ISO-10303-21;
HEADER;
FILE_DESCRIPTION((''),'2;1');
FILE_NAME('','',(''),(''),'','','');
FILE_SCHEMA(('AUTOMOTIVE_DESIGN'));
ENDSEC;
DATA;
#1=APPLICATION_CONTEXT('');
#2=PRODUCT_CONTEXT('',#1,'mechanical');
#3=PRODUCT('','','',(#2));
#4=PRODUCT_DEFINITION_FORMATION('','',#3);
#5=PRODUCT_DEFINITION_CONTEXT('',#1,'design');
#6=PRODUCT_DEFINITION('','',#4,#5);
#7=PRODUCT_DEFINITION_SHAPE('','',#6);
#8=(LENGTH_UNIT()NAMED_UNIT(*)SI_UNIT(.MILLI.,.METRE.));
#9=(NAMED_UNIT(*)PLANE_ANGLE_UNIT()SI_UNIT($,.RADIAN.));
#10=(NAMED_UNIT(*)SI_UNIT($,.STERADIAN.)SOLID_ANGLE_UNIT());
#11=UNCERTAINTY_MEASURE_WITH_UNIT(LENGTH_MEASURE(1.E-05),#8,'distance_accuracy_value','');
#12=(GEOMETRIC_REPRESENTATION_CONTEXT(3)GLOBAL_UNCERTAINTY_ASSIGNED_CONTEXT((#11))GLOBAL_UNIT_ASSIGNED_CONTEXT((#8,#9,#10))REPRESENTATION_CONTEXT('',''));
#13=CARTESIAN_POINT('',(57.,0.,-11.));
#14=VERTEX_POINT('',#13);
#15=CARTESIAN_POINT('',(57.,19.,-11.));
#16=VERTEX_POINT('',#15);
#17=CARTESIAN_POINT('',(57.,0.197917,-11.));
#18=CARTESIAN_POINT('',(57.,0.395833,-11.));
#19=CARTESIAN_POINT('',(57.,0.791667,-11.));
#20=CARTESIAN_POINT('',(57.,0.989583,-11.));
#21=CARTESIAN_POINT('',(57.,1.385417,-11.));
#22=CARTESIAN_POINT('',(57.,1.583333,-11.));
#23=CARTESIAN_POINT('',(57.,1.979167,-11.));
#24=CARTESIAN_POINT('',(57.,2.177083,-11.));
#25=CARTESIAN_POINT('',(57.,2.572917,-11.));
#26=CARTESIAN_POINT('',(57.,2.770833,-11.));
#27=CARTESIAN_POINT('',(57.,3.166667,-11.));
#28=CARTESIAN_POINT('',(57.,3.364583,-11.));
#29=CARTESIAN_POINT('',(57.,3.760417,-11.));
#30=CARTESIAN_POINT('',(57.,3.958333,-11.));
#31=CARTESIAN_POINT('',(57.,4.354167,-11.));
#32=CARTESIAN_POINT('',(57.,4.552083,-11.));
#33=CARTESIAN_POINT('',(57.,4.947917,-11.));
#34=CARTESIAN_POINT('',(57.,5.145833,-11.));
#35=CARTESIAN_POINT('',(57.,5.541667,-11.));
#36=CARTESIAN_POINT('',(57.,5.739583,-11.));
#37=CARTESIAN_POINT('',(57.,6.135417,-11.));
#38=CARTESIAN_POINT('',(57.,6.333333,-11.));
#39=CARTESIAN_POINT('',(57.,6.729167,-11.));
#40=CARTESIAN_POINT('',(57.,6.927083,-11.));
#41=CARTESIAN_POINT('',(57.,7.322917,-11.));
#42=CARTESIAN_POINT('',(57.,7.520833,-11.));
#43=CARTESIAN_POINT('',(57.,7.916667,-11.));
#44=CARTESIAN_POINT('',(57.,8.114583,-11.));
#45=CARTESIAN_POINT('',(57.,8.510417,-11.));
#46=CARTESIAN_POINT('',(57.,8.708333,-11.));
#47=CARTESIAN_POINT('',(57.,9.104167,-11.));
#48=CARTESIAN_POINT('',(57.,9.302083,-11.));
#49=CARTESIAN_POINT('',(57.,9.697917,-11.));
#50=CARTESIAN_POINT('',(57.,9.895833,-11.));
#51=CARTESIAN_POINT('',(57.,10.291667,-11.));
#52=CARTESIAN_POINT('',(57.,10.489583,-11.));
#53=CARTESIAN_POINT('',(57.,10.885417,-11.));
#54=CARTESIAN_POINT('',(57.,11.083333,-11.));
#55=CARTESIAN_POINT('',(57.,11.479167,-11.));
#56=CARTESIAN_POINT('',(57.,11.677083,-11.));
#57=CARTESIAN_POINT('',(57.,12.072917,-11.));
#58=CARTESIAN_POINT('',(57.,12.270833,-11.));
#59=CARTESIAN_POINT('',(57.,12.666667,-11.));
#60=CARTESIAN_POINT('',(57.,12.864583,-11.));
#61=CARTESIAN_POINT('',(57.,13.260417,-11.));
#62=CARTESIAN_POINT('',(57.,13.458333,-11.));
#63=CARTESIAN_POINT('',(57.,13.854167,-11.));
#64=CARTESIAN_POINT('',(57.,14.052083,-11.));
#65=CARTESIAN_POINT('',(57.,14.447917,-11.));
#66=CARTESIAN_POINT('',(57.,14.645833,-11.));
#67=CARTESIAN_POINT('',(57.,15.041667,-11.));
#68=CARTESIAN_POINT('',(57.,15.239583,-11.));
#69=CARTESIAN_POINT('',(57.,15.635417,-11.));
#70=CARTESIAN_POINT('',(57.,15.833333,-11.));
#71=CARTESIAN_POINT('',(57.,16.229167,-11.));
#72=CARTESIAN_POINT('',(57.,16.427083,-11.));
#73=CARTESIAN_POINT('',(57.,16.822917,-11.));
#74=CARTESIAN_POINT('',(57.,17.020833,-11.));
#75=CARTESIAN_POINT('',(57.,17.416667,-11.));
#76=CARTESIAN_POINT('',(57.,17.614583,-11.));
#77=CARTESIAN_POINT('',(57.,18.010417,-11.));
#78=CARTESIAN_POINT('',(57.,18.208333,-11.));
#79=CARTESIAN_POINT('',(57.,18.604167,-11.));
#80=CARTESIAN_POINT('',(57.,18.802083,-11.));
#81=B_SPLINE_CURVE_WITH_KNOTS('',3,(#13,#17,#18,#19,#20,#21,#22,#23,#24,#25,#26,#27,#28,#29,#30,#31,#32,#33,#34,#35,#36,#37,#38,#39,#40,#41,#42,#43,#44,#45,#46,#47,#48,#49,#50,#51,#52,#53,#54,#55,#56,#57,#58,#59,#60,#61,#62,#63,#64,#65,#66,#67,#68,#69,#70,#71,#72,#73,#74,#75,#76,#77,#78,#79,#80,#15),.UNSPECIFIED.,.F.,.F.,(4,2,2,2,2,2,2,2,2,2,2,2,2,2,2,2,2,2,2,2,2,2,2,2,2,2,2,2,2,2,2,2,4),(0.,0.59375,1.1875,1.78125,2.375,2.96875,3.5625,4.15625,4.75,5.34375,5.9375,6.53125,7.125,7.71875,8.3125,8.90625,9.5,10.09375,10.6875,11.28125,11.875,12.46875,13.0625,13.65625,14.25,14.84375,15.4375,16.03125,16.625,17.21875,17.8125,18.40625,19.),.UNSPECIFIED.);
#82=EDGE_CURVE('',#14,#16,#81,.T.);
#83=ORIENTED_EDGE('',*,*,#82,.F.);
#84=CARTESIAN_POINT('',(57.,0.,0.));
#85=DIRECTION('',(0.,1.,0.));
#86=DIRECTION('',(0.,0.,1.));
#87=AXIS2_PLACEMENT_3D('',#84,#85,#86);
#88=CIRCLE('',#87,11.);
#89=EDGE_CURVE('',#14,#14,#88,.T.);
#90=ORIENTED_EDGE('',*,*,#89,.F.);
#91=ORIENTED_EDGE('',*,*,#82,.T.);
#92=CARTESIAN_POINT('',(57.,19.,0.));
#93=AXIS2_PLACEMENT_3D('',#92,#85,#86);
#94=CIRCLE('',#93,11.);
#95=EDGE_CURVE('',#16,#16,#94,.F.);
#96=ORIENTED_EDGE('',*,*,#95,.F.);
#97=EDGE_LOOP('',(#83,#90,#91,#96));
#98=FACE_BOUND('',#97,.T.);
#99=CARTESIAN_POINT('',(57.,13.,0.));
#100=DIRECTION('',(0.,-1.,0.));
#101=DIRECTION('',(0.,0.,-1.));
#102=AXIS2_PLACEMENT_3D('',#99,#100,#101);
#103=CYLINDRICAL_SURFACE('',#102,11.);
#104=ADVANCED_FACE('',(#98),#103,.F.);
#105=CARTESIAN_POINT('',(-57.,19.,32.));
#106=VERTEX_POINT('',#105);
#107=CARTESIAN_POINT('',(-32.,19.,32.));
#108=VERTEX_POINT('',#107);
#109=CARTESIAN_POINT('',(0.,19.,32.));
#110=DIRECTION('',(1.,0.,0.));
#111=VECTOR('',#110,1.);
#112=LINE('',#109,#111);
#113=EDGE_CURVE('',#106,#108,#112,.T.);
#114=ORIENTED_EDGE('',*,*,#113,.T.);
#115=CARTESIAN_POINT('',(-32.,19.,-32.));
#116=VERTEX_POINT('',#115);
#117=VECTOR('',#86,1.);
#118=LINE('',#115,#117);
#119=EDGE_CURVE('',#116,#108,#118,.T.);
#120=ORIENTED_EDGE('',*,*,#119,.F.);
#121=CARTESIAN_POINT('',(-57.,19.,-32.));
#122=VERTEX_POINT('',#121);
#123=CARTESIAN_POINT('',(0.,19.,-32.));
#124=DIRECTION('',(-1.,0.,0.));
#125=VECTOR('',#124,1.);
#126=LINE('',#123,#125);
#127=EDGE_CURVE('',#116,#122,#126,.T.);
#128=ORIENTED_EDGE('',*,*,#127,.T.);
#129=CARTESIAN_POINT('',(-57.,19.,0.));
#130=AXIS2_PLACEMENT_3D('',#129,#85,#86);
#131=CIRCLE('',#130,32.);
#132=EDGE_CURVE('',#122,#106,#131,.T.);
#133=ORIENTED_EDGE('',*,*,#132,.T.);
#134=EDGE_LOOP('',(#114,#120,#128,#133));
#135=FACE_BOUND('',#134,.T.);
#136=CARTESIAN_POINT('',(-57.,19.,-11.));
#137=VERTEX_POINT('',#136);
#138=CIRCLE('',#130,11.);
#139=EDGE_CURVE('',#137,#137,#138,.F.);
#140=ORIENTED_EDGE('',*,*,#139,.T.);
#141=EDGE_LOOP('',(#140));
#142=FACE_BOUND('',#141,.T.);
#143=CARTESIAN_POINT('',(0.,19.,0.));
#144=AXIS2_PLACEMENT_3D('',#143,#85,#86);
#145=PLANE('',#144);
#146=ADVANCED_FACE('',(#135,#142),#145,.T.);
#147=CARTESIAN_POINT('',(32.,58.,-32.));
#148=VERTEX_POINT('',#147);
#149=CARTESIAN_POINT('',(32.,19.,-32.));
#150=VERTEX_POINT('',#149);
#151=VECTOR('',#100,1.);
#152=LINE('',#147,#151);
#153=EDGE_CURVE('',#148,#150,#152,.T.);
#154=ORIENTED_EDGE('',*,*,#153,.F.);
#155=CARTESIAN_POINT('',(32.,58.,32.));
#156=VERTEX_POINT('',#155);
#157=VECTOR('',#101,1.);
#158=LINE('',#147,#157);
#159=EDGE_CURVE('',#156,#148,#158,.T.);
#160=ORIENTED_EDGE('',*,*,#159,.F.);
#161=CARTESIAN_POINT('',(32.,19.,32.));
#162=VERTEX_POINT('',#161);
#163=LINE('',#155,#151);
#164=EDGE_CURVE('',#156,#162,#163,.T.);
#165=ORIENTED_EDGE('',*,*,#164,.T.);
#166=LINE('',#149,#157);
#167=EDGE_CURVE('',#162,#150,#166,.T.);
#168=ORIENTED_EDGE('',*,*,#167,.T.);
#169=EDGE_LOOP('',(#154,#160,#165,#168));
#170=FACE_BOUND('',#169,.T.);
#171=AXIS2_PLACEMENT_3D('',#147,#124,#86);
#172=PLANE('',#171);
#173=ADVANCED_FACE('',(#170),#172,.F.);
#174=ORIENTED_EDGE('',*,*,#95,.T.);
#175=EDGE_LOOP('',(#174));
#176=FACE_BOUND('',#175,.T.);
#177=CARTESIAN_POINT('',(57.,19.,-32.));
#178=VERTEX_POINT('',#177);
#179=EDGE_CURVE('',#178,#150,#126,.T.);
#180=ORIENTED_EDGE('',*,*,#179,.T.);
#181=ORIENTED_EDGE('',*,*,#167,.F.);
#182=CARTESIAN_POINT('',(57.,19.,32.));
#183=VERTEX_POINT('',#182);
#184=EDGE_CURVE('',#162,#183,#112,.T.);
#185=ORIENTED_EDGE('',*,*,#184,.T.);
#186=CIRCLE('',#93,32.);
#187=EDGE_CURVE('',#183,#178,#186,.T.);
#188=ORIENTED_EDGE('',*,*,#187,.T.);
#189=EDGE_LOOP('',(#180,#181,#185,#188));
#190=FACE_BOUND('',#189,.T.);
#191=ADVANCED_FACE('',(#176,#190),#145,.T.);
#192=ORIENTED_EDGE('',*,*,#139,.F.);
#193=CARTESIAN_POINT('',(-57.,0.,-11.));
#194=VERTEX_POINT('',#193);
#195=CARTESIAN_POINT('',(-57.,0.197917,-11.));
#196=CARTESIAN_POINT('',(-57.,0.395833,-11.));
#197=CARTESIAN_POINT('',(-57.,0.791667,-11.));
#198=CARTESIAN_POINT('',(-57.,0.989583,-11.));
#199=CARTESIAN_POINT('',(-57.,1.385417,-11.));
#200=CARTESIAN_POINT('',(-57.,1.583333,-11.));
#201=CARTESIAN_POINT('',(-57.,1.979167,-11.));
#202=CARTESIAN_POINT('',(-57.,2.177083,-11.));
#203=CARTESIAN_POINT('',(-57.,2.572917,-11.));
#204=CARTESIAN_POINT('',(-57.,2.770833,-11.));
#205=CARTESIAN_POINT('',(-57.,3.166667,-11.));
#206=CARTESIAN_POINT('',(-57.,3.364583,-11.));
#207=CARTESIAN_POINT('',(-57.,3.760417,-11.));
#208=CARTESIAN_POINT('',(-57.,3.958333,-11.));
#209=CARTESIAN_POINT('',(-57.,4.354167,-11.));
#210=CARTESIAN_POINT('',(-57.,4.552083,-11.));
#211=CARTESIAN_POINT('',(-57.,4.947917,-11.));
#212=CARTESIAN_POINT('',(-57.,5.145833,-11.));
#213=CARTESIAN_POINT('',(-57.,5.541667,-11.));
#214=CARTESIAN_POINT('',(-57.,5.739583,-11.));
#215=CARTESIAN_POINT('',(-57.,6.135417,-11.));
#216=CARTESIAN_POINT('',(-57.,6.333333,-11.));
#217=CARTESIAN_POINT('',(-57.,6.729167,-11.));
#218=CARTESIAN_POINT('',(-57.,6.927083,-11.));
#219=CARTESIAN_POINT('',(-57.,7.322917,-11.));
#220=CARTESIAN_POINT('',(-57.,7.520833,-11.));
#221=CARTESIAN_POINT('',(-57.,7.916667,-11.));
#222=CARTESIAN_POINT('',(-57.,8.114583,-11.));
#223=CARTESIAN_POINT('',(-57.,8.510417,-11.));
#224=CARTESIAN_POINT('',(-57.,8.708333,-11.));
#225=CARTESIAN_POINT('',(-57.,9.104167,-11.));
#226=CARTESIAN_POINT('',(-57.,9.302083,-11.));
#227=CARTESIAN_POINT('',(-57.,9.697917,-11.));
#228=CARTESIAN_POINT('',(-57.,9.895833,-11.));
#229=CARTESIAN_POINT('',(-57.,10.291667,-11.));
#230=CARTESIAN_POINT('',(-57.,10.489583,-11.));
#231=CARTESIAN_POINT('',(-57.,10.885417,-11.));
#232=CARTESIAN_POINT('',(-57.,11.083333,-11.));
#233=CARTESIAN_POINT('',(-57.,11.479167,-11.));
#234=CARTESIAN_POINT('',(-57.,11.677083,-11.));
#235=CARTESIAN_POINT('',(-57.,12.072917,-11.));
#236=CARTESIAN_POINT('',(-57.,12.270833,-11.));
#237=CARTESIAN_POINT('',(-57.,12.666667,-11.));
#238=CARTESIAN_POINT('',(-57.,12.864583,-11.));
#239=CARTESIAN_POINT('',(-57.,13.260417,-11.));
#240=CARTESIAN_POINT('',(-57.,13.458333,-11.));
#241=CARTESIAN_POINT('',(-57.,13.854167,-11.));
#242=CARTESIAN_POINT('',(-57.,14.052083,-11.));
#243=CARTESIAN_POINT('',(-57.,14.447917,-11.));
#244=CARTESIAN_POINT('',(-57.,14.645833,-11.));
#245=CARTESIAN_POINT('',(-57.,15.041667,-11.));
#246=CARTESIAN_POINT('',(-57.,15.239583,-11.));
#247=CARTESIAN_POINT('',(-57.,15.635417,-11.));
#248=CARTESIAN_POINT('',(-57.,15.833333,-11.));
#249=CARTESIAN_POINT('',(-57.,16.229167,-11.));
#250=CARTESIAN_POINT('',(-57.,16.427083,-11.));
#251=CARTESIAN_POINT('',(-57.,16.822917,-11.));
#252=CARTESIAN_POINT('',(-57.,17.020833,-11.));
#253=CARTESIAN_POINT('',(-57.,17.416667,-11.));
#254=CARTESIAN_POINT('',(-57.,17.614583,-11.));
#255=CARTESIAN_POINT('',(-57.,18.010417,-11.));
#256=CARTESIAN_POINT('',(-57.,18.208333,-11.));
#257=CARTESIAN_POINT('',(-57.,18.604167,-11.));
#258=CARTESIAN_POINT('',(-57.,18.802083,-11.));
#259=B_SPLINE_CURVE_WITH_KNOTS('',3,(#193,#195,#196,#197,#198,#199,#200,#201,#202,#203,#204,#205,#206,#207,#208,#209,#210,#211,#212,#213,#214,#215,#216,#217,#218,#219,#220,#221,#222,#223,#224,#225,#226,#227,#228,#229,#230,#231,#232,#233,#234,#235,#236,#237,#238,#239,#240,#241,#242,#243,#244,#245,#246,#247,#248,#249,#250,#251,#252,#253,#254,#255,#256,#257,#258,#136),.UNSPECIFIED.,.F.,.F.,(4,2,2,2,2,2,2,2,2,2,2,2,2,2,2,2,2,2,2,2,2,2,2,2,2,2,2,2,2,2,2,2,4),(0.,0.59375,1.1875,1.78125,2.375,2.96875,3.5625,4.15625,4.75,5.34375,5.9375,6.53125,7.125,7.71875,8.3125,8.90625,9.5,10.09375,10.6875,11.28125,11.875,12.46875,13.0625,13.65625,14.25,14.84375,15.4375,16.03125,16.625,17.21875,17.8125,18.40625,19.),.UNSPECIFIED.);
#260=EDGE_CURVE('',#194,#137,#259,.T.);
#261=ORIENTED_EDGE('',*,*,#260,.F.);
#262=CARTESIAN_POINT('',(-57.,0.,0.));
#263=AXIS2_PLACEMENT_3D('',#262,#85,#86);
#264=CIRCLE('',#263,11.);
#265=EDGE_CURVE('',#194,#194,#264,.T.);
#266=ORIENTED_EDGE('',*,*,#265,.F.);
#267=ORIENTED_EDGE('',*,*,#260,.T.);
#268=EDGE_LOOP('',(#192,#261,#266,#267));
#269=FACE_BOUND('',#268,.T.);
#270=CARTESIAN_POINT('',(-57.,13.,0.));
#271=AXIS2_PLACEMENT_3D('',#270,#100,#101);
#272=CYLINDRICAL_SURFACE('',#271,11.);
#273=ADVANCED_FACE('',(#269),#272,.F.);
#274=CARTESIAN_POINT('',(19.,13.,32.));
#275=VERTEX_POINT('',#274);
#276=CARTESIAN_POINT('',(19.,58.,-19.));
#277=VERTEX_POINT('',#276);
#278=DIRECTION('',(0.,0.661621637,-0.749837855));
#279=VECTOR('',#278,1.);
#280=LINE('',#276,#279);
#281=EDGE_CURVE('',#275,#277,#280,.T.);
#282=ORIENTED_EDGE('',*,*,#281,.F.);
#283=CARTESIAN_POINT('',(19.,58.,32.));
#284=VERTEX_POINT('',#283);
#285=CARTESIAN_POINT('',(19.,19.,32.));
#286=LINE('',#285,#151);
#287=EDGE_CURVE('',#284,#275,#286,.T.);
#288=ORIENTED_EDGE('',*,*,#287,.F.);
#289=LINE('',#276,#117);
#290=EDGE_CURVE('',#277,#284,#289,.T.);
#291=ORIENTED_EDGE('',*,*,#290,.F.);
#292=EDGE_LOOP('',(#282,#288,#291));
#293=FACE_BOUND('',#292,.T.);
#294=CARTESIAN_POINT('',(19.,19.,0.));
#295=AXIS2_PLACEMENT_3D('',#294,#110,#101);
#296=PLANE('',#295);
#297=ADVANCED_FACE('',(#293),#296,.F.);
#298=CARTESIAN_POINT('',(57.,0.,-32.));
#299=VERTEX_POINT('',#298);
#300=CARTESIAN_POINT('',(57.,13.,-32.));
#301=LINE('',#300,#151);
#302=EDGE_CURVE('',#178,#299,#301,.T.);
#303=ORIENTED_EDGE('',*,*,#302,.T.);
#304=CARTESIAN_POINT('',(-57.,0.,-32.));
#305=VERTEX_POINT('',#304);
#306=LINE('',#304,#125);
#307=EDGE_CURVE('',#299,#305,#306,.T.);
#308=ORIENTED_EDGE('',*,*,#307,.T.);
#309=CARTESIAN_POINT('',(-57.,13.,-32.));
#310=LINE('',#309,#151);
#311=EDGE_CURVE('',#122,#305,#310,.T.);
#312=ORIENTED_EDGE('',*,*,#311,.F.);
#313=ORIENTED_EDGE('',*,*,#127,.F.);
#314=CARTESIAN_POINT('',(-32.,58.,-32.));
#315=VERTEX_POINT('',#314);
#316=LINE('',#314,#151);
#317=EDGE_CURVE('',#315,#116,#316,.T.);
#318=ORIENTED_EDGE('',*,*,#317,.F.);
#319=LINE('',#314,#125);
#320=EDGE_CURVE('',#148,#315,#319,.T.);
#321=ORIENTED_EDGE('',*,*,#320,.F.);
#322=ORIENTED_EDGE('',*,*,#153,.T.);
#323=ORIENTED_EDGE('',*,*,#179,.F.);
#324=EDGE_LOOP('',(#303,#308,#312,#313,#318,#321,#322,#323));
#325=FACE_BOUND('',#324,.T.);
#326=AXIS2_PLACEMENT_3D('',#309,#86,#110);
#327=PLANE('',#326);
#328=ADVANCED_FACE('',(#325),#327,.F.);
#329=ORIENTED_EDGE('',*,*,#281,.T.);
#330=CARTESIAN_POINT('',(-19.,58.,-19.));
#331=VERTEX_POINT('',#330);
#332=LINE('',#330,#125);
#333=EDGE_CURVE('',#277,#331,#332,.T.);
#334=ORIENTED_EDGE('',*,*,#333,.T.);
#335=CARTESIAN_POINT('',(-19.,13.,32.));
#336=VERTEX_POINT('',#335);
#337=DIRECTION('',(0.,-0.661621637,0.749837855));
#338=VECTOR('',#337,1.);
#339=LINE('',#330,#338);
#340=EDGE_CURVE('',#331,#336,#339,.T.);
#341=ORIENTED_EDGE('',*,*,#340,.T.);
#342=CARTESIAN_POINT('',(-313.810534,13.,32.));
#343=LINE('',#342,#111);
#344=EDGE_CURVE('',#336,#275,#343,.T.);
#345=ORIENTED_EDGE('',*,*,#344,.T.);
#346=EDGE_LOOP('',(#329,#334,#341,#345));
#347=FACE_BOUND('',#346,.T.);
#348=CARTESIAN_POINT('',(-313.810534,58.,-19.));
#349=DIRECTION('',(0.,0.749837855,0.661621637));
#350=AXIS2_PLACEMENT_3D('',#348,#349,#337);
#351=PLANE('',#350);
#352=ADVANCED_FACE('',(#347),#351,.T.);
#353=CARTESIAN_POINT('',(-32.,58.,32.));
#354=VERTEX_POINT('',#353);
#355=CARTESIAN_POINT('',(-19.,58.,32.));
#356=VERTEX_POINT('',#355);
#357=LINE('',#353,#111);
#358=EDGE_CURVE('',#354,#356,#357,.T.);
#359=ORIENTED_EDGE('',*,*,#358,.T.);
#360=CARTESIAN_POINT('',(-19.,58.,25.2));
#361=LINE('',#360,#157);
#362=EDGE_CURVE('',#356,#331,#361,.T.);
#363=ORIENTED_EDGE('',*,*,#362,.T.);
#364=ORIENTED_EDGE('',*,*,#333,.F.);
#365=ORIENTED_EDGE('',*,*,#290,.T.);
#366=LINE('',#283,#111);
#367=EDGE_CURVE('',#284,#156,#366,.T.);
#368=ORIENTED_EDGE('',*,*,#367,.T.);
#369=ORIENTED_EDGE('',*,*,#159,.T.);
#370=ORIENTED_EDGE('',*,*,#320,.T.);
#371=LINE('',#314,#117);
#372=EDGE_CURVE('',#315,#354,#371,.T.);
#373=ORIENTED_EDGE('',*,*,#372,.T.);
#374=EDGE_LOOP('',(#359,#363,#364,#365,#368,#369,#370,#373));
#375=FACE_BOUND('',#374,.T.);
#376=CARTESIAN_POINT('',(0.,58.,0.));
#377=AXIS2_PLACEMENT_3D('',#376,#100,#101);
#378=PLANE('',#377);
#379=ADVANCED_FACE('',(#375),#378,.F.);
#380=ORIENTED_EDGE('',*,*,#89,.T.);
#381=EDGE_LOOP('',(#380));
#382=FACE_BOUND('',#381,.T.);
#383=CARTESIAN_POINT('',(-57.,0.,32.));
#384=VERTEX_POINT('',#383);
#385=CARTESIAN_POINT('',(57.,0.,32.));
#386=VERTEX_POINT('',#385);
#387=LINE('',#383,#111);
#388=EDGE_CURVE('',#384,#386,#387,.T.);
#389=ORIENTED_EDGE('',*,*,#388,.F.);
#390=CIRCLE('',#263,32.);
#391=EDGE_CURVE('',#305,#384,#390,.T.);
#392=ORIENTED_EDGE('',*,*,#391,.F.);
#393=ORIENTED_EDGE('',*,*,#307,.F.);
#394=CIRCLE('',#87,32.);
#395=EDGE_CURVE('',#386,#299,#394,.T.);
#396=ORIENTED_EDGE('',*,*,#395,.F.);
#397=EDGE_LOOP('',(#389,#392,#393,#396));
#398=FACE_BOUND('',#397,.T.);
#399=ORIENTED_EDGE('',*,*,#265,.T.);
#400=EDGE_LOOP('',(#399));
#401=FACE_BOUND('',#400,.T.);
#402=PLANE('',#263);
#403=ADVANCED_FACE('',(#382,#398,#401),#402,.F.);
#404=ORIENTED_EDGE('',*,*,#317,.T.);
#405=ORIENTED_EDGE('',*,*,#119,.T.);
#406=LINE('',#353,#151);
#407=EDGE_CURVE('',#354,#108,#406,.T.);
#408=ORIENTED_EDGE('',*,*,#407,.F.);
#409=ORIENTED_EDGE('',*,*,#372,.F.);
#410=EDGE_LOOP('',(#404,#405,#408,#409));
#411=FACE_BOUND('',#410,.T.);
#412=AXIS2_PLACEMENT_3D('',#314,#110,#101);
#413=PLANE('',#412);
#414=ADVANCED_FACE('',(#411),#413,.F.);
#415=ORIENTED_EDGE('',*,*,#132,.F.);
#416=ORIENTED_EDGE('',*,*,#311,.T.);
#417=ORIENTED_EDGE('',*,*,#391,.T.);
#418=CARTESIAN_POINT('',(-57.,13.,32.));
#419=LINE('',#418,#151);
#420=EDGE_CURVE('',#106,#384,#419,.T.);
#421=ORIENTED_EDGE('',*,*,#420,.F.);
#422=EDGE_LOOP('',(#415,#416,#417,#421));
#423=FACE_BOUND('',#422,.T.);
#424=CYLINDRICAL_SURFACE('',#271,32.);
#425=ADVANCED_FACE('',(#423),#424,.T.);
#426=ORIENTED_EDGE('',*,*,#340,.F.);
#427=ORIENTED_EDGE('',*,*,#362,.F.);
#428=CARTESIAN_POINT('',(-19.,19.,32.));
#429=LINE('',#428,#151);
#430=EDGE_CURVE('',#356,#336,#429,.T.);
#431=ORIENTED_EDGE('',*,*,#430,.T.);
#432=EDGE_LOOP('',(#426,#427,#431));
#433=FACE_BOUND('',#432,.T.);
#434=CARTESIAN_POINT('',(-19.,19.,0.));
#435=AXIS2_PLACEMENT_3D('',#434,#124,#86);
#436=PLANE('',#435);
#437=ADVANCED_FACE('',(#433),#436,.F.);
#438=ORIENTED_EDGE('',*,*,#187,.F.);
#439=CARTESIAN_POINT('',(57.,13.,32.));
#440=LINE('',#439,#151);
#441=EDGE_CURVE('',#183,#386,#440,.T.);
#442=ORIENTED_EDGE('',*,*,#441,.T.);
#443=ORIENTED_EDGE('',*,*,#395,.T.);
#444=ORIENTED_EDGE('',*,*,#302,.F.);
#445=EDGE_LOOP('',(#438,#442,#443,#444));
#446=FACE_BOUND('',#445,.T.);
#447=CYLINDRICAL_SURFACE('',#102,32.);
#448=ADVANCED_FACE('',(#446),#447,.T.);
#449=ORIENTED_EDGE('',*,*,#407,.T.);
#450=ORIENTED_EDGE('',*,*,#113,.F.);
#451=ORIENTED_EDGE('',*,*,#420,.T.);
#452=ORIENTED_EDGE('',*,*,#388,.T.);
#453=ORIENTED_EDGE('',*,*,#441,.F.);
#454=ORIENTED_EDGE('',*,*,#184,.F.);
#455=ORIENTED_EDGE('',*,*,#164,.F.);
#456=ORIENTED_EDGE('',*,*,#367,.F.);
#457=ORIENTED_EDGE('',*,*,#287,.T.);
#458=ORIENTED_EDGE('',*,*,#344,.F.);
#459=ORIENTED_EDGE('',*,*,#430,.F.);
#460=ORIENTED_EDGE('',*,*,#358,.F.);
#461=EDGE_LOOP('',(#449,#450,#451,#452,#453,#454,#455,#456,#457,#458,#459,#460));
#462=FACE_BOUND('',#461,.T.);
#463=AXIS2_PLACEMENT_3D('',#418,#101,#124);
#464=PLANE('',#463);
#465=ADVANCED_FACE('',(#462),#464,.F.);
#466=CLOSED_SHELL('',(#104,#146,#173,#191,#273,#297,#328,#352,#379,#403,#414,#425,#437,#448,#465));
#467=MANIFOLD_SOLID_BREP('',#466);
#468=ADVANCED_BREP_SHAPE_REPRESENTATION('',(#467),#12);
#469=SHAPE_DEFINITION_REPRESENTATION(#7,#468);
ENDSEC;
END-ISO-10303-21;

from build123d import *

# Parameters (mm, degrees)
SKETCH1_R               = 11
BOSS_EXTRUDE1_DEPTH     = 13
SKETCH2_W               = 38
SKETCH2_H               = 51
BOSS_EXTRUDE3_DEPTH     = 45
CUT_EXTRUDE1_DEPTH      = 127.696487718
CUT_EXTRUDE1_DEPTH_BACK = 127.696487718
SKETCH4_R               = 11
BOSS_EXTRUDE4_DEPTH     = 6
BOSS_EXTRUDE5_DEPTH     = 39


with BuildPart() as part:
    # Sketch1 → Boss-Extrude1 (new body)
    with BuildSketch(Plane(origin=(0, 0, 0), x_dir=(1, 0, 0), z_dir=(0, 1, 0))):
        with BuildLine():
            Line((-57, 32), (57, 32))
            ThreePointArc((57, 32), (89, 0), (57, -32))
            Line((57, -32), (-57, -32))
            ThreePointArc((-57, -32), (-89, 0), (-57, 32))
        make_face()
        with Locations(Location((-57, 0, 0), (0, 0, 90))):
            Circle(SKETCH1_R, mode=Mode.SUBTRACT)
        with Locations(Location((57, 0, 0), (0, 0, 90))):
            Circle(SKETCH1_R, mode=Mode.SUBTRACT)
    extrude(amount=BOSS_EXTRUDE1_DEPTH)

    # Sketch2 → Boss-Extrude3 (add)
    with BuildSketch(Plane(origin=(0, 13, 0), x_dir=(1, 0, 0), z_dir=(0, 1, 0))):
        with Locations((0, -6.5)):
            Rectangle(SKETCH2_W, SKETCH2_H)
    extrude(amount=BOSS_EXTRUDE3_DEPTH)

    # Sketch3 → Cut-Extrude1 (cut, two sides: drawn at the far end of the back side and taken through both)
    with BuildSketch(Plane.ZY.offset(19).offset(-CUT_EXTRUDE1_DEPTH_BACK)):
        Polygon((-143.828237157, 168.142562197), (-19, 58), (32, 13), (156.828237157, -97.142562197), (377.113361551, 152.513912116), (76.456887238, 417.799036511), align=None)
    extrude(amount=CUT_EXTRUDE1_DEPTH + CUT_EXTRUDE1_DEPTH_BACK, mode=Mode.SUBTRACT)

    # Sketch4 → Boss-Extrude4 (add)
    with BuildSketch(Plane(origin=(0, 13, 0), x_dir=(1, 0, 0), z_dir=(0, 1, 0))):
        with BuildLine():
            ThreePointArc((-57, 32), (-89, 0), (-57, -32))
            Line((-57, -32), (-19, -32))
            Line((-19, -32), (-19, 19))
            Line((-19, 19), (19, 19))
            Line((19, 19), (19, -32))
            Line((19, -32), (57, -32))
            ThreePointArc((57, -32), (89, 0), (57, 32))
            Line((57, 32), (-57, 32))
        make_face()
        with Locations(Location((-57, 0, 0), (0, 0, 90))):
            Circle(SKETCH4_R, mode=Mode.SUBTRACT)
        with Locations(Location((57, 0, 0), (0, 0, 90))):
            Circle(SKETCH4_R, mode=Mode.SUBTRACT)
    extrude(amount=BOSS_EXTRUDE4_DEPTH)

    # Sketch5 → Boss-Extrude5 (add)
    with BuildSketch(Plane(origin=(0, 19, 0), x_dir=(1, 0, 0), z_dir=(0, 1, 0))):
        Polygon((-32, 32), (32, 32), (32, -32), (19, -32), (19, -25.2), (19, 19), (-19, 19), (-19, -25.2), (-19, -32), (-32, -32), align=None)
    extrude(amount=BOSS_EXTRUDE5_DEPTH)


solid = part.part
